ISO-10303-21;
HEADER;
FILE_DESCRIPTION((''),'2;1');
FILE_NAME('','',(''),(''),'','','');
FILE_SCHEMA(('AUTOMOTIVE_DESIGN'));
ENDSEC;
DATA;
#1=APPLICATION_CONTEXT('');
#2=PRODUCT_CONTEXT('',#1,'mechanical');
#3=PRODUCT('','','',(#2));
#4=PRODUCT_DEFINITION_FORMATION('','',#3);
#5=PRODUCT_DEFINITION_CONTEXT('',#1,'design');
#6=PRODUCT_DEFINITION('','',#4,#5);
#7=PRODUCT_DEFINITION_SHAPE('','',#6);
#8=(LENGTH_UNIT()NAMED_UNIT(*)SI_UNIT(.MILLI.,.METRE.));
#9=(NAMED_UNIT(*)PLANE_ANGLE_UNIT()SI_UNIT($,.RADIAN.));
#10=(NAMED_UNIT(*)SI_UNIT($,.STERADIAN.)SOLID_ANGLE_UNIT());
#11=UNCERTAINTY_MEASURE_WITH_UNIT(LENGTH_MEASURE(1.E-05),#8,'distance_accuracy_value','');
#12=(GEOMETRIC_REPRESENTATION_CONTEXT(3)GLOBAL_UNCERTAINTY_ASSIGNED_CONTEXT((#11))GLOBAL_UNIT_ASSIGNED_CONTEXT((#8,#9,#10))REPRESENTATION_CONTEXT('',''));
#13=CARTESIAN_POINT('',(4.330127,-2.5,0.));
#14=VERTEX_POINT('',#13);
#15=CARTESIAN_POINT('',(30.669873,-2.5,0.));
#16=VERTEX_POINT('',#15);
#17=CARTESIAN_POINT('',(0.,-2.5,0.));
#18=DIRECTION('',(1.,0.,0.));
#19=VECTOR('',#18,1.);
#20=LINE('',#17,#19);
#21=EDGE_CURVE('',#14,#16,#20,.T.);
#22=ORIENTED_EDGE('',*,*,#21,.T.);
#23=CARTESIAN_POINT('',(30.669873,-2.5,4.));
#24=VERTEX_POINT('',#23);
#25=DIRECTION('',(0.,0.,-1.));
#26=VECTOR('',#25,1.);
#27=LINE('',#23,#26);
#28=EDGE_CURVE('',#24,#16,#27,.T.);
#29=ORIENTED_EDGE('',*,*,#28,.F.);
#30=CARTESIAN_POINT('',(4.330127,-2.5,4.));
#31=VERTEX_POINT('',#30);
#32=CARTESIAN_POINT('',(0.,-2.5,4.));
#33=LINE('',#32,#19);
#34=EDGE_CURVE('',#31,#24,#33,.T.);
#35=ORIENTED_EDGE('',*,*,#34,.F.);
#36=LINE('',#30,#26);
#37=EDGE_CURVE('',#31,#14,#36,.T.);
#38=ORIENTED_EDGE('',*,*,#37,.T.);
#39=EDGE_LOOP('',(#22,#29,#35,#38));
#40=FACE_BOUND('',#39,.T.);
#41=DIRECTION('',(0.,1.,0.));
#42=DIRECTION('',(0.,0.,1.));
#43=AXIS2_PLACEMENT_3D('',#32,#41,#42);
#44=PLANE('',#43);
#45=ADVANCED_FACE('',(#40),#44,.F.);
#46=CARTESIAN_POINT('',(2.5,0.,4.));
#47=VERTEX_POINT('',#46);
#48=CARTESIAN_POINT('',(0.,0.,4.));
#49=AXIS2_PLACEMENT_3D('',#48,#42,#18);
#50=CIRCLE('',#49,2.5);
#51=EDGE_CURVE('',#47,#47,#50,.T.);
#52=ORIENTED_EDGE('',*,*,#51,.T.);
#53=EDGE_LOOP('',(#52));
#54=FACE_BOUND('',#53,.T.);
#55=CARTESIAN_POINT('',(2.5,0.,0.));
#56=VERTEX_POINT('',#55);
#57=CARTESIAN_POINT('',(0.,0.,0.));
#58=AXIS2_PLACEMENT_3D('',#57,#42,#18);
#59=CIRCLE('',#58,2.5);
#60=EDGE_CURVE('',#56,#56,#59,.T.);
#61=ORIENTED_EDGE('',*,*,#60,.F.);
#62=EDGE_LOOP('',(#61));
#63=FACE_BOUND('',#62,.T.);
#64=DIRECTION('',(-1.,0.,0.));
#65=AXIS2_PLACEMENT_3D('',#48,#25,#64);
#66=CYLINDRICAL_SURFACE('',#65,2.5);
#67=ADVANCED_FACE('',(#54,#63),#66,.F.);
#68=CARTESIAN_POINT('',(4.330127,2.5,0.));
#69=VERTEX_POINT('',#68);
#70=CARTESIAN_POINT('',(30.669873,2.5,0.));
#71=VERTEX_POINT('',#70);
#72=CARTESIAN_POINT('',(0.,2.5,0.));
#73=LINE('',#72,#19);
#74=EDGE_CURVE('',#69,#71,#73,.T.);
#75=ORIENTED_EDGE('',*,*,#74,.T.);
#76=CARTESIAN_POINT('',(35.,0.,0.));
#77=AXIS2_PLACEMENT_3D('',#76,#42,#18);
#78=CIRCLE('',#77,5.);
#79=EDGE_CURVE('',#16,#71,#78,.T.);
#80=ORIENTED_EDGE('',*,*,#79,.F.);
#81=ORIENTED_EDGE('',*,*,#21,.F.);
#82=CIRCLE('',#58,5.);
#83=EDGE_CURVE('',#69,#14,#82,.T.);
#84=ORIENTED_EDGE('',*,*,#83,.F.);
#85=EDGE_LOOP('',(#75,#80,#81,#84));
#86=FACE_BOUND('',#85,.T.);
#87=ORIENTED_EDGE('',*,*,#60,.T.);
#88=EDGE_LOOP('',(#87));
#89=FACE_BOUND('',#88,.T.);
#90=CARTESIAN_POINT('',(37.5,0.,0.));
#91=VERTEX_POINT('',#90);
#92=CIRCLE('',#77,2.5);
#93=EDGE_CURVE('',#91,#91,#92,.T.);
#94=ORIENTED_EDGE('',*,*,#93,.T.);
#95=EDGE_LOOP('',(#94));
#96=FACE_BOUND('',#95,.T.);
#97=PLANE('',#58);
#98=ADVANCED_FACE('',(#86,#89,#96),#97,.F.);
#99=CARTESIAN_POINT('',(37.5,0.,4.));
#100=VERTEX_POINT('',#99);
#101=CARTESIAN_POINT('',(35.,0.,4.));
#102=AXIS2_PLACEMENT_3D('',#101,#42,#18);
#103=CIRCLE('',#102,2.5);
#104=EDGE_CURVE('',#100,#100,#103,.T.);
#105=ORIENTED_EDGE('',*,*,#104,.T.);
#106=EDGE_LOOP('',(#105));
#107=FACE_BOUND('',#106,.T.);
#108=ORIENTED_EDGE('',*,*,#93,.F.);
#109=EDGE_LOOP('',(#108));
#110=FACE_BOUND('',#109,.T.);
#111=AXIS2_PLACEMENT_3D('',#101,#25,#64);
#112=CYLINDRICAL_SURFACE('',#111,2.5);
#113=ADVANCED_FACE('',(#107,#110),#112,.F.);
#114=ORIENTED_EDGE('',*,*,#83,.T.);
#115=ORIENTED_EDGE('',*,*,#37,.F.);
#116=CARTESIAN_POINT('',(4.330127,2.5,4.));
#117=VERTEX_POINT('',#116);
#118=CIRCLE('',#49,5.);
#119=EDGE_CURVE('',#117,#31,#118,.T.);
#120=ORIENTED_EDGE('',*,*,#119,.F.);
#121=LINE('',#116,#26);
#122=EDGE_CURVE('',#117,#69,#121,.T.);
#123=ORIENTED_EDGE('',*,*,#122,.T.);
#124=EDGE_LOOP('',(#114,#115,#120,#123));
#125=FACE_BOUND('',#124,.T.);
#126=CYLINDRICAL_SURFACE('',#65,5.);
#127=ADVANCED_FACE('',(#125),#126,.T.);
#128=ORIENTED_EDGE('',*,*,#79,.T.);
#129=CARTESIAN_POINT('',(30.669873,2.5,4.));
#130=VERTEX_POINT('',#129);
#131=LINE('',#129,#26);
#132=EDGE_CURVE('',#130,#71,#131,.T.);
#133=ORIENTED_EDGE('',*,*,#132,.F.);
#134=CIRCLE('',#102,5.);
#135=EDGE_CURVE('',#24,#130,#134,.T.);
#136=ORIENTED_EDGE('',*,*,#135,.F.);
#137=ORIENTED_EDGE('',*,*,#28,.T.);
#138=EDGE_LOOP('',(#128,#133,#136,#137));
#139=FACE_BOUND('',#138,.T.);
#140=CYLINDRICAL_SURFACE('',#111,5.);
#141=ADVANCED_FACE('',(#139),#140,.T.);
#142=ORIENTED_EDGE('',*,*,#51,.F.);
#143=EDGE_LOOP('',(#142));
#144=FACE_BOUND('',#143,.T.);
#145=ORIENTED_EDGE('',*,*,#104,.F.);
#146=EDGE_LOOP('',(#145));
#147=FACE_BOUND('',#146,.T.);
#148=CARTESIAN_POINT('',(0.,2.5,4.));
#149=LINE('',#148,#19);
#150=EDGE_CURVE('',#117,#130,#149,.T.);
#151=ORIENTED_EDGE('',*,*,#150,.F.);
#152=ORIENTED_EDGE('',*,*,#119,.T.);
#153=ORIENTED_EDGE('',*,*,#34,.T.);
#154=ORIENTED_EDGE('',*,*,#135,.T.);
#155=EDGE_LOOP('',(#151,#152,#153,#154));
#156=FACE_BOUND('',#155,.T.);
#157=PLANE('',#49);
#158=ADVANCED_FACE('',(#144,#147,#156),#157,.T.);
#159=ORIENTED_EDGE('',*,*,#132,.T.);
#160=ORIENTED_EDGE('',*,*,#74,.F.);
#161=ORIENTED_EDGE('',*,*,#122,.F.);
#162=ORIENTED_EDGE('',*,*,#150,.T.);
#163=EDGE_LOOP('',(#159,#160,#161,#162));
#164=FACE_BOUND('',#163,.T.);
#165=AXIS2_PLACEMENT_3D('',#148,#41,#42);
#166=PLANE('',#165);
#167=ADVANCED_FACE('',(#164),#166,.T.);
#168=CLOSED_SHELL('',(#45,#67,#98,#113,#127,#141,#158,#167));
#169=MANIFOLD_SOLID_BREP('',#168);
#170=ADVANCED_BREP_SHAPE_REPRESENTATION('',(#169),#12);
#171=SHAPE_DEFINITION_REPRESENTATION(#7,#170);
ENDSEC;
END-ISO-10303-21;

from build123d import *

# Parameters (mm, degrees)
SKETCH1_R           = 2.5
BOSS_EXTRUDE1_DEPTH = 4


with BuildPart() as part:
    # Sketch1 → Boss-Extrude1 (new body)
    with BuildSketch(Plane.XY):
        with BuildLine():
            Line((30.669872981, 2.5), (4.330127019, 2.5))
            ThreePointArc((4.330127019, 2.5), (-5, 0), (4.330127019, -2.5))
            Line((4.330127019, -2.5), (30.669872981, -2.5))
            ThreePointArc((30.669872981, -2.5), (40, 0), (30.669872981, 2.5))
        make_face()
        Circle(SKETCH1_R, mode=Mode.SUBTRACT)
        with Locations((35, 0)):
            Circle(SKETCH1_R, mode=Mode.SUBTRACT)
    extrude(amount=BOSS_EXTRUDE1_DEPTH)


solid = part.part
